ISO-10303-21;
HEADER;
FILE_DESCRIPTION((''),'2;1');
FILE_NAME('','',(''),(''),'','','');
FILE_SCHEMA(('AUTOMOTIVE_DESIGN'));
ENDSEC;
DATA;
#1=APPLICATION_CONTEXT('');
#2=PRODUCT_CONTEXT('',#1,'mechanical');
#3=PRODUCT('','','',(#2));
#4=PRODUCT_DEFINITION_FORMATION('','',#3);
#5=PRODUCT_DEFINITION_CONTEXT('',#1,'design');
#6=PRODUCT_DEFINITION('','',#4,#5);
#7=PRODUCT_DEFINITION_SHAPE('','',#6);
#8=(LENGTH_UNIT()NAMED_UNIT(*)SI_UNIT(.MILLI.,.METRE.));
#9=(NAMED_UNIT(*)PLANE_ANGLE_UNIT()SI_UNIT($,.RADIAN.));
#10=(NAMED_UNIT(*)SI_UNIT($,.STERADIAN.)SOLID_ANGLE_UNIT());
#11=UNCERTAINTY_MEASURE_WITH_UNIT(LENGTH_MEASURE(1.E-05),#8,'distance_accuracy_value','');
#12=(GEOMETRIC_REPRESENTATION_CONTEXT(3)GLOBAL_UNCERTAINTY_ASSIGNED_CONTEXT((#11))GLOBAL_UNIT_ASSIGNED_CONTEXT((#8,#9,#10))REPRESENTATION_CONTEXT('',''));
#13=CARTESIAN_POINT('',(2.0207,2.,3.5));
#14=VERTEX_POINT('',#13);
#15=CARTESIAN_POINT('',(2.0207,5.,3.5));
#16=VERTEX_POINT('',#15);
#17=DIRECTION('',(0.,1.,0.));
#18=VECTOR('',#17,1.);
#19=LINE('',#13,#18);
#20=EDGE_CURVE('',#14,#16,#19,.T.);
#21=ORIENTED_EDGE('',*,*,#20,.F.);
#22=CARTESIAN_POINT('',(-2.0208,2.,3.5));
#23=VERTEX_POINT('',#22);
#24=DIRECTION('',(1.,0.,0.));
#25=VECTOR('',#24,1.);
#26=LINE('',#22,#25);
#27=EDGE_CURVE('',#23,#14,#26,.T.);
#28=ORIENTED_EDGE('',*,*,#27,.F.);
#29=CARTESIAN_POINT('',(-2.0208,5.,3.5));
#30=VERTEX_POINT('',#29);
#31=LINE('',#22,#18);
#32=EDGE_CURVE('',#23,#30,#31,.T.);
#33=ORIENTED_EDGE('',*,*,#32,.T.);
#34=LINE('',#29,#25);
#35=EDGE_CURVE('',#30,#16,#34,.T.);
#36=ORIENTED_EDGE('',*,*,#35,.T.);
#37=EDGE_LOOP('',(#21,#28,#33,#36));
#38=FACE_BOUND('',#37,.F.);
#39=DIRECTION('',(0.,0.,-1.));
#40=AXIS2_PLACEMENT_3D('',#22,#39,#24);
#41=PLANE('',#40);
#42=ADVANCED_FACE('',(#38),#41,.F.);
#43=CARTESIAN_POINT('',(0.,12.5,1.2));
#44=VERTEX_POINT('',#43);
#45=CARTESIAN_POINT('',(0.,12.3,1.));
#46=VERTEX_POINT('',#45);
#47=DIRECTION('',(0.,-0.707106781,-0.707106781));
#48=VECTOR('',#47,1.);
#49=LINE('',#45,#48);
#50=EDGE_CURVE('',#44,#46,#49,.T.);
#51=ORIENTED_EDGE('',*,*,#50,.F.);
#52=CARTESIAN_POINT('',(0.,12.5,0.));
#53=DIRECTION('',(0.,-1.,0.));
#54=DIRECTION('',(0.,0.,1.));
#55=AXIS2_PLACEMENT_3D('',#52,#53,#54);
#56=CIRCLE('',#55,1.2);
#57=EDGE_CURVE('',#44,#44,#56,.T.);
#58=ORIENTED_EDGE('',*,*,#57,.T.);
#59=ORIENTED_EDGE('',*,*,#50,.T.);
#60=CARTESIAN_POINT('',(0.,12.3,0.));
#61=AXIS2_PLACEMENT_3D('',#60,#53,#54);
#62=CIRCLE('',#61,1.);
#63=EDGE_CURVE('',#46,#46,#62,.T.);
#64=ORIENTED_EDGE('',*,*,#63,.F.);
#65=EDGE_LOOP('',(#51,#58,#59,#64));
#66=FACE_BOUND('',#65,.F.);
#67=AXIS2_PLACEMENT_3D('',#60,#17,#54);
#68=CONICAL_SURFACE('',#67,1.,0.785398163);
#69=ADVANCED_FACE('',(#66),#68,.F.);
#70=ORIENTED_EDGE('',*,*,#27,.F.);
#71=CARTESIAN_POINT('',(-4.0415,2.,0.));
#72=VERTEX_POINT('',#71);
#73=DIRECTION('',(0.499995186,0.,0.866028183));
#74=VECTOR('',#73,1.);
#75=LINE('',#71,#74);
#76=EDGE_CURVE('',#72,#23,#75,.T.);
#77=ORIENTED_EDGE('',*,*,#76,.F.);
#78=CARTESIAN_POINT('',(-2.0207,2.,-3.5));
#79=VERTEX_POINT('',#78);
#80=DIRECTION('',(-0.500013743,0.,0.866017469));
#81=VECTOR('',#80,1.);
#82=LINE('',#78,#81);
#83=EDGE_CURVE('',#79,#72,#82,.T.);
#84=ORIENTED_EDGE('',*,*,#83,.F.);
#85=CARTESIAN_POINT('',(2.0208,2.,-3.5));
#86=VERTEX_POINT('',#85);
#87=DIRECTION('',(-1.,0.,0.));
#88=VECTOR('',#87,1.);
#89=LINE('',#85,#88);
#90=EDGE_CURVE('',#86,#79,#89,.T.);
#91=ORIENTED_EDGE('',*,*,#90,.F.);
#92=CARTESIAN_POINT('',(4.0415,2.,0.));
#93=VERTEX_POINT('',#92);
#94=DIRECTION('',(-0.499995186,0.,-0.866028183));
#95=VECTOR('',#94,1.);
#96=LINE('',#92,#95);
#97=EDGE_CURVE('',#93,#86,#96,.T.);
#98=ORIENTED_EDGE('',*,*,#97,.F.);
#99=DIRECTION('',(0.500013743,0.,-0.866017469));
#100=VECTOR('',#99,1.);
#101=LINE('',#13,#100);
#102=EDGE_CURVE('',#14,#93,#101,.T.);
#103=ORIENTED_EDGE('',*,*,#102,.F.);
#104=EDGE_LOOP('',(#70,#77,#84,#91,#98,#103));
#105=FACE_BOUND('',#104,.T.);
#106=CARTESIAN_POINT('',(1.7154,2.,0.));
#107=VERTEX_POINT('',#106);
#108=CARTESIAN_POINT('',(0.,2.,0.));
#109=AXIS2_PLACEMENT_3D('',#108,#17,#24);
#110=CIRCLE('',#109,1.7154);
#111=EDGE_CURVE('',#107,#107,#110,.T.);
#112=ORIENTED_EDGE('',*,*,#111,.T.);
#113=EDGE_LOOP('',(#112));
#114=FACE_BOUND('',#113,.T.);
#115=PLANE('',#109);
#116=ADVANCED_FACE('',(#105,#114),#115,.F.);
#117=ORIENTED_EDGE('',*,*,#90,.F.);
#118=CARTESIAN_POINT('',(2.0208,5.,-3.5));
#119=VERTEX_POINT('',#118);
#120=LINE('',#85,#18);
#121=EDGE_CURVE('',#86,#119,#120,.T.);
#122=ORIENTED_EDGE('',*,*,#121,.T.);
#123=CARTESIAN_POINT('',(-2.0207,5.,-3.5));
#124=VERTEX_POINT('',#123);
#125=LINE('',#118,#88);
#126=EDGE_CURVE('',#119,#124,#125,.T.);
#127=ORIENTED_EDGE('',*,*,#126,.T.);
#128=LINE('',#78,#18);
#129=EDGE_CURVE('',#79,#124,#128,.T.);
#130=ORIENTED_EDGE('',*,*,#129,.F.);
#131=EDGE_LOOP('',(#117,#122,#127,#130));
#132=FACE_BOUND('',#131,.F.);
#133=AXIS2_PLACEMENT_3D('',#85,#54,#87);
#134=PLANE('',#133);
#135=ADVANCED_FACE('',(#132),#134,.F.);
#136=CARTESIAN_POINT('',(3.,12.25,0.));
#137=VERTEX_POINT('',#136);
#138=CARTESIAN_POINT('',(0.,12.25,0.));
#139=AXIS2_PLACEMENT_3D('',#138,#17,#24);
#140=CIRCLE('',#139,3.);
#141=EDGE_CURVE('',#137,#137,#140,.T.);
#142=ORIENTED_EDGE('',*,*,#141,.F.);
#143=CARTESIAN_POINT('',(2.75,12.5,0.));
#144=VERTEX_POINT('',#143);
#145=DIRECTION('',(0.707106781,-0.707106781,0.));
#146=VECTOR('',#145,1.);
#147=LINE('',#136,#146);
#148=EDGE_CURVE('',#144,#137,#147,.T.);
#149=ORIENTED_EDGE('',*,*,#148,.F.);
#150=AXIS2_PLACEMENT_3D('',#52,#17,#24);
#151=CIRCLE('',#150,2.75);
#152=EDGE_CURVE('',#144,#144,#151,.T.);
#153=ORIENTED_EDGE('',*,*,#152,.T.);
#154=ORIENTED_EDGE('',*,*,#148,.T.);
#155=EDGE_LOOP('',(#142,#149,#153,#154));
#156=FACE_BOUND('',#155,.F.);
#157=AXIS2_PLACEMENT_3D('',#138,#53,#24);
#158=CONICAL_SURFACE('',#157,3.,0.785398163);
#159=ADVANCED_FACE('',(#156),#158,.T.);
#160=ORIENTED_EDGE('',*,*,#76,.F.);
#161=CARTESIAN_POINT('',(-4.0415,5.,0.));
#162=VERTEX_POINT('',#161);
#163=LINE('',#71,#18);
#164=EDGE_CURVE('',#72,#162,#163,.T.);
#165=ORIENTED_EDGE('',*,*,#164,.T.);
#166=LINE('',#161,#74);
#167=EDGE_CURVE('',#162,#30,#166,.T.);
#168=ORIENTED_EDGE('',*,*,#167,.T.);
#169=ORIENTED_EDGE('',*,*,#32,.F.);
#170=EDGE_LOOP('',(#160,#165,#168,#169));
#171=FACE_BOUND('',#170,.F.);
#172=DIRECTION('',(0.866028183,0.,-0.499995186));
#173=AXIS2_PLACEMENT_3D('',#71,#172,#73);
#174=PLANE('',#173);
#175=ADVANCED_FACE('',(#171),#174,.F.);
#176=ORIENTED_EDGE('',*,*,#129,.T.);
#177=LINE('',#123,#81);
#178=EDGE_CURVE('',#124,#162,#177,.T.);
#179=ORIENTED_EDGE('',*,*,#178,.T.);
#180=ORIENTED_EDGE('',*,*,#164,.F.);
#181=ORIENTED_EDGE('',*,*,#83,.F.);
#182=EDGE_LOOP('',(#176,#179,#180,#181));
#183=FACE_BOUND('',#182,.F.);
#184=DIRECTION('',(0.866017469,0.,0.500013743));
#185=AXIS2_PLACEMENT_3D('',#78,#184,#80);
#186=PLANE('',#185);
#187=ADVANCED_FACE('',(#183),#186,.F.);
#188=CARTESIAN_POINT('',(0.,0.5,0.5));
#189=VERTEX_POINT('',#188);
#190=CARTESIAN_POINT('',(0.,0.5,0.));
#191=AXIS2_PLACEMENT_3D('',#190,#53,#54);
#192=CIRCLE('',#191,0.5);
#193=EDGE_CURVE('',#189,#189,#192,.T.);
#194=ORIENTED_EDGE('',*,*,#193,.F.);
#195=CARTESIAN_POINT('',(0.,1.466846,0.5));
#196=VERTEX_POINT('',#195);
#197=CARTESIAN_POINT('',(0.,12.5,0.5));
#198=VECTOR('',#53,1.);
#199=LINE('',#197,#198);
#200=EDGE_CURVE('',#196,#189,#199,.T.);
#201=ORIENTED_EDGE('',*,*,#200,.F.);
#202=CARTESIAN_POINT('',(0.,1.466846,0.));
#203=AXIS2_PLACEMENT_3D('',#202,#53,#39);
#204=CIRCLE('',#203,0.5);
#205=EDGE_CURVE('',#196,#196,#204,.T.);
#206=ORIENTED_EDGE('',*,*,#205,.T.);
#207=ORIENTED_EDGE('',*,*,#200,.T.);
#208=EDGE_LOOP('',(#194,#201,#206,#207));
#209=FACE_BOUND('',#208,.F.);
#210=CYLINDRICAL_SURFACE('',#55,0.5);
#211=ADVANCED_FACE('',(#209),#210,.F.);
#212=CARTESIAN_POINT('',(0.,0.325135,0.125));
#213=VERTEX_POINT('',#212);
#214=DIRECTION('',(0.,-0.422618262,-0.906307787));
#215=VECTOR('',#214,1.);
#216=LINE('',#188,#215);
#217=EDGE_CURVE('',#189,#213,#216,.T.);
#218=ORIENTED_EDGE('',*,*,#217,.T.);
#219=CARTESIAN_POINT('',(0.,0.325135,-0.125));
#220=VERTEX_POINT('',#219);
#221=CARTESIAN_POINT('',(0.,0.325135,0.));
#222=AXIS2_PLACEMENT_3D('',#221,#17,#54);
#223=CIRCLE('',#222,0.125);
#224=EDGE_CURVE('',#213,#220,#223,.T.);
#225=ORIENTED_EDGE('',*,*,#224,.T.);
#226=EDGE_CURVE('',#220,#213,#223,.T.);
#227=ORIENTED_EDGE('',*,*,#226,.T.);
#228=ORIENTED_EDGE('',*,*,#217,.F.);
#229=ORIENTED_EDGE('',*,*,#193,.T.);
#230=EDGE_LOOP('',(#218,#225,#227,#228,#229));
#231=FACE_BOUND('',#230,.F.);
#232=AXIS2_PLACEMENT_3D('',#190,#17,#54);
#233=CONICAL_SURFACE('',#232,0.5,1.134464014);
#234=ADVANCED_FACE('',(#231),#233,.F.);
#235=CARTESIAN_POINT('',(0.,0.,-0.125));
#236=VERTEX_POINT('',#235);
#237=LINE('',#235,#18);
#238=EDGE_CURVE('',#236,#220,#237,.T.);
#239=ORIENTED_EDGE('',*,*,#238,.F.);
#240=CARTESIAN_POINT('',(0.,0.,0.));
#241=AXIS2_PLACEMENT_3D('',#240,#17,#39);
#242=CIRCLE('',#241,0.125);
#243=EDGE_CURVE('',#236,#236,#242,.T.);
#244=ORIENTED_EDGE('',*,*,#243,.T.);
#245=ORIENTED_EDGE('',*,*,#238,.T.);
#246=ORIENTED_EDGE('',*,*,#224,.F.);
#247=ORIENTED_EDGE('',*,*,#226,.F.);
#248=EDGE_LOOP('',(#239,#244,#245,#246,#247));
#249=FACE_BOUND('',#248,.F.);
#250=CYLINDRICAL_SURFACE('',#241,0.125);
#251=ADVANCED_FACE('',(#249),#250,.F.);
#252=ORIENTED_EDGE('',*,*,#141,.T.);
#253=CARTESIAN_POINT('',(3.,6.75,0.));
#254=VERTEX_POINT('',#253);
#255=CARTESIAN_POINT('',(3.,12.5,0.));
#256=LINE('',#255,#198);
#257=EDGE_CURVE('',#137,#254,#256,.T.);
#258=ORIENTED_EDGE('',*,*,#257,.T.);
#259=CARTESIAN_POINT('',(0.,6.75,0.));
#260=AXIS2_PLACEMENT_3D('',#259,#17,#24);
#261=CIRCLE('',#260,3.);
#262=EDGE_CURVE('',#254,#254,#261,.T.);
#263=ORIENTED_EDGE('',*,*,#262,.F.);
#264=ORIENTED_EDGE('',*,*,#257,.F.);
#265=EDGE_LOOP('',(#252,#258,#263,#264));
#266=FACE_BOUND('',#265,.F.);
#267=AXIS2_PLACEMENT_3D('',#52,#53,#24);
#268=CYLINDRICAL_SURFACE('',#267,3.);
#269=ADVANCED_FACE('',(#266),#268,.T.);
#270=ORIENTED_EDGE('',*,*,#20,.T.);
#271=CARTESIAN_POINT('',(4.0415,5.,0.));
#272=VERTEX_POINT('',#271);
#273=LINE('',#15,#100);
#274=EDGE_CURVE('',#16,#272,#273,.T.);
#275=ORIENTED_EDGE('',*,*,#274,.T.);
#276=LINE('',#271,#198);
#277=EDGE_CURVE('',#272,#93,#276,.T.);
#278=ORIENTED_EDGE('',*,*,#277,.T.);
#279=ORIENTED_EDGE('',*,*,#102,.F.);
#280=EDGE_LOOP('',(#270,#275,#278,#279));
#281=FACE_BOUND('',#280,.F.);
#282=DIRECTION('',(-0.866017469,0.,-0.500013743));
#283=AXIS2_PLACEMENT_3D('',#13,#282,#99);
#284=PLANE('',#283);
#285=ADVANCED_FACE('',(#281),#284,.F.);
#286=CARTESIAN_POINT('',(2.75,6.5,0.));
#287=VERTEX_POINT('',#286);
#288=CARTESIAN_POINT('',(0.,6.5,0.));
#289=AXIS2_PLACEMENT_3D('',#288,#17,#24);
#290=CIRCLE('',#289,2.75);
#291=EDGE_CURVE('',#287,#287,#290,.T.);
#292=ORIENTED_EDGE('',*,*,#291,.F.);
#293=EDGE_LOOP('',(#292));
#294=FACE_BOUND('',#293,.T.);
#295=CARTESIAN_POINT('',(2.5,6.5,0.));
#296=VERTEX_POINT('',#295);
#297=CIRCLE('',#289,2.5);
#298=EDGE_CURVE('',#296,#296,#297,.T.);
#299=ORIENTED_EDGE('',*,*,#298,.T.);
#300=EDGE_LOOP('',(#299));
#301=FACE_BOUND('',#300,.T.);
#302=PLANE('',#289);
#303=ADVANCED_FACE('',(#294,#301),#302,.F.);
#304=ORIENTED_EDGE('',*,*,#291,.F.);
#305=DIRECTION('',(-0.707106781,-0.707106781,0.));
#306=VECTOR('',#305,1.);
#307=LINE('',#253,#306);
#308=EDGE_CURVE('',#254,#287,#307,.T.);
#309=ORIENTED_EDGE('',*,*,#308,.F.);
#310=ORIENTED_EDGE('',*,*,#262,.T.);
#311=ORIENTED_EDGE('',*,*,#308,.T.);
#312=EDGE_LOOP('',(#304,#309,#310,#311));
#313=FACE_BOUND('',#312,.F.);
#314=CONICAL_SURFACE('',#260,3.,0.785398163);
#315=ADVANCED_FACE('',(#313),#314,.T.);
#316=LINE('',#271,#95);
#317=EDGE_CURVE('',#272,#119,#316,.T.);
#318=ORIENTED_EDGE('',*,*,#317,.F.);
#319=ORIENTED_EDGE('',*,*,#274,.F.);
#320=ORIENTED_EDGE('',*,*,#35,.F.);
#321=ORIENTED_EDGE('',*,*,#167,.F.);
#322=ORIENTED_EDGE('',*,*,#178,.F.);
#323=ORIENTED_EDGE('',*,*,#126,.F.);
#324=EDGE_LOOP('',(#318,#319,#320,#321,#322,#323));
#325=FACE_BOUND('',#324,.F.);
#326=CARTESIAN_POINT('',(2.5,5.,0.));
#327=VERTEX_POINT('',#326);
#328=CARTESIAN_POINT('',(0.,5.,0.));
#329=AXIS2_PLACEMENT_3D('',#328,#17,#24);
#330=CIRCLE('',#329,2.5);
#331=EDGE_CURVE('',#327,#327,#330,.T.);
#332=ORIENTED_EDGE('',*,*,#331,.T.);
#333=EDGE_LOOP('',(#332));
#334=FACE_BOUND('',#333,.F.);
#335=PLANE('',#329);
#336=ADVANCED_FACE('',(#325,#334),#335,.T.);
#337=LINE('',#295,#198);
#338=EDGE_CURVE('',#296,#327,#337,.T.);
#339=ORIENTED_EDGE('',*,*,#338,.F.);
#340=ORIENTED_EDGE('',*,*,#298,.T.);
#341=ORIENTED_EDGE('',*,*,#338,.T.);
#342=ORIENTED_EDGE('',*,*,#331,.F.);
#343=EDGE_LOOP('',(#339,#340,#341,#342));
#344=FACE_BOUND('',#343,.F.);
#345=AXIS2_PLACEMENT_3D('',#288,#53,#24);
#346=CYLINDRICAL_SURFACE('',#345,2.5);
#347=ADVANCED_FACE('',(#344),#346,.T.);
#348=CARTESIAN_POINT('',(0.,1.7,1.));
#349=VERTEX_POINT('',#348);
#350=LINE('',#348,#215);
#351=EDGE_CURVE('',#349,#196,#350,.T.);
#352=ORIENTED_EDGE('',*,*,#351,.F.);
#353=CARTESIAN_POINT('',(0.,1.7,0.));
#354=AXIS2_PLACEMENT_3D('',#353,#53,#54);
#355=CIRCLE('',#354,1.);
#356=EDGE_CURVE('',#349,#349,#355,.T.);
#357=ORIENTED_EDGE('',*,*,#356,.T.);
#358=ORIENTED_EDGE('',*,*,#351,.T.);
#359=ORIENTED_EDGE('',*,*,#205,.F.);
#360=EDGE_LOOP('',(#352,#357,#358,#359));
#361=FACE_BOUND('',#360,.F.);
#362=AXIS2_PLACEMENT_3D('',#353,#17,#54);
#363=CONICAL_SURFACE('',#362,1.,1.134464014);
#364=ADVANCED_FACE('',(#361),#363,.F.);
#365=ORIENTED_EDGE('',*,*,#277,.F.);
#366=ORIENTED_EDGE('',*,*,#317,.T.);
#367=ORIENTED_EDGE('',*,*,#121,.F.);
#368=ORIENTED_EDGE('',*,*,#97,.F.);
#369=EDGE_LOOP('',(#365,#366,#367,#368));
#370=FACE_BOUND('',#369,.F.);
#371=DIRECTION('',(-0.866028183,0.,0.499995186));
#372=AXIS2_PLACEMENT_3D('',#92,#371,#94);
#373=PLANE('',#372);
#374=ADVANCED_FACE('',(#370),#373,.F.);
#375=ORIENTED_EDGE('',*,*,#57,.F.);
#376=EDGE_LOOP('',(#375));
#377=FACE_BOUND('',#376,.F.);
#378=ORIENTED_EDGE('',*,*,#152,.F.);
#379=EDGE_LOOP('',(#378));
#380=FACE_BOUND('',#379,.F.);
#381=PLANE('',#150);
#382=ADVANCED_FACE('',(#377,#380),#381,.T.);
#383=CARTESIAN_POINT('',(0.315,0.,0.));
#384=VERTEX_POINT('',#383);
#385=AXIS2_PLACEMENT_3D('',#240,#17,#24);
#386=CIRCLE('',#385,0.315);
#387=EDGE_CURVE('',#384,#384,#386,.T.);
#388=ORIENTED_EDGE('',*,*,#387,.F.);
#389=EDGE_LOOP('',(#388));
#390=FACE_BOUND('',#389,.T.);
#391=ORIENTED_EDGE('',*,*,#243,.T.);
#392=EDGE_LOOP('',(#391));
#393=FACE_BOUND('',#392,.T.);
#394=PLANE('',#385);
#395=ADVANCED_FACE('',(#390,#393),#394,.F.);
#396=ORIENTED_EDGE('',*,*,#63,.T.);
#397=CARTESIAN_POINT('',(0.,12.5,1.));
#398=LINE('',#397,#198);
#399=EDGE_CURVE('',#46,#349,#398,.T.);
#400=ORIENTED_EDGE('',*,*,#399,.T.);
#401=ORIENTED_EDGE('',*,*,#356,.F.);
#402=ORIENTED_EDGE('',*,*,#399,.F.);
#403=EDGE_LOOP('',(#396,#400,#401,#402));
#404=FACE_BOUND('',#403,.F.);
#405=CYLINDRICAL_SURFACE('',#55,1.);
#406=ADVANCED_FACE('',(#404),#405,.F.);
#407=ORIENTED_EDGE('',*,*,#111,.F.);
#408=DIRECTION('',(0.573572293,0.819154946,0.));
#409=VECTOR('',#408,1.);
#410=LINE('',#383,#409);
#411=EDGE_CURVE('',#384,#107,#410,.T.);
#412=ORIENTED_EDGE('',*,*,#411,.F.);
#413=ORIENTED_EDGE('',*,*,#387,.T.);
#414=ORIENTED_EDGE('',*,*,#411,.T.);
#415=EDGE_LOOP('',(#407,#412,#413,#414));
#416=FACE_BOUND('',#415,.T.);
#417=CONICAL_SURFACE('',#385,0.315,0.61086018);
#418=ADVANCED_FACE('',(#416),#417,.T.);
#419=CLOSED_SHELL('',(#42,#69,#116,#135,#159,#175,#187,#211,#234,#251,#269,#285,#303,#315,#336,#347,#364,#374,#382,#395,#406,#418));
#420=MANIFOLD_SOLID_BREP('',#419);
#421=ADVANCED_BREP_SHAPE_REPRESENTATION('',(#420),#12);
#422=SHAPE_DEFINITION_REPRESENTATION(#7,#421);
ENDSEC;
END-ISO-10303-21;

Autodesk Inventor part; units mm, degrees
ref_plane "YZ Plane" through (0, 0, 0) normal (1, 0, 0) x (0, 1, 0)
ref_plane "XZ Plane" through (0, 0, 0) normal (0, 1, 0) x (-1, 0, 0)
ref_plane "XY Plane" through (0, 0, 0) normal (0, 0, 1) x (1, 0, 0)
sketch "Эскиз1" plane through (0, 0, 0) normal (0, 0, 1) x (1, 0, 0)
  line L0 (0, 0) -> (0, 15)
  line L1 (0, 12.5) -> (3, 12.5)
  line L2 (1.7154, 2) -> (4.0415, 2)
  line L3 (2.5, 5) -> (4.0415, 5)
  line L4 (2.5, 6.5) -> (3, 6.5)
  line L5 (0, 0) -> (0.315, 0)
  line L6 (2.5, 6.5) -> (2.5, 5)
  line L7 (3, 12.5) -> (3, 6.5)
  line L8 (0.315, 0) -> (1.7154, 2)
  line L9 (4.0415, 5) -> (4.0415, 2)
  line L10 (0, 12.5) -> (0, 0)
  dimension "d0" = 15
  dimension "d1" = 12.5
  dimension "d2" = 10.5
  dimension "d3" = 7.5
  dimension "d4" = 6
  dimension "d6" = 5
  dimension "d7" = 6
  dimension "d8" = 125
  dimension "d11" = 8.083
  dimension "d44" = 0.63
revolve "Вращение1" add sketch "Эскиз1" angle 360 about axis through (0, 0, 0) along (0, 1, 0)
chamfer "Фаска1" distance 0.25 angle 45 2 edges at (-3, 12.5, 0) (-3, 6.5, 0)
thread "Резьба1" size "M6x1" class "6g" standard "ANSI Metric M Profile" full length
sketch "Эскиз2" plane through (0, 12.5, 0) normal (0, 1, 0) x (1, 0, 0)
  point P0 (0, 0)
  point P1 (0, 0)
sketch "Эскиз3" plane through (0, 0, 0) normal (0, -1, 0) x (1, 0, 0)
  point P0 (0, 0)
  point P1 (0, 0)
hole "Отверстие1" at (0, 12.5, 0) direction (0, -1, 0) diameter 1 depth 12 tip angle 130
hole "Отверстие2" at (0, 12.5, 0) direction (0, -1, 0) diameter 2 depth 10.8 tip angle 130
chamfer "Фаска2" distance 0.2 angle 45 1 edges at (0, 12.5, -1)
hole "Отверстие3" at (0, 0, 0) direction (0, 1, 0) diameter 0.25 depth 0.5
sketch "Эскиз4" plane through (0, 2, 0) normal (0, -1, 0) x (1, 0, 0)
  circle A0 centre (0, 0) radius 0.125 projected
  circle A1 centre (0, 0) radius 4.0415 projected
  line L0 (4.0415, 0) -> (2.0208, -3.5)
  line L1 (2.0208, -3.5) -> (-2.0207, -3.5)
  line L2 (-2.0207, -3.5) -> (-4.0415, 0)
  line L3 (-4.0415, 0) -> (-2.0208, 3.5)
  line L4 (-2.0208, 3.5) -> (2.0207, 3.5)
  line L5 (2.0207, 3.5) -> (4.0415, 0)
extrude "Выдавливание1" cut sketch "Эскиз4" against normal blind 3 contours L5 A1 | A1 L0 | L4 A1 | A1 L1 | L3 A1 | A1 L2
properties part number "nozzle-0,25"
